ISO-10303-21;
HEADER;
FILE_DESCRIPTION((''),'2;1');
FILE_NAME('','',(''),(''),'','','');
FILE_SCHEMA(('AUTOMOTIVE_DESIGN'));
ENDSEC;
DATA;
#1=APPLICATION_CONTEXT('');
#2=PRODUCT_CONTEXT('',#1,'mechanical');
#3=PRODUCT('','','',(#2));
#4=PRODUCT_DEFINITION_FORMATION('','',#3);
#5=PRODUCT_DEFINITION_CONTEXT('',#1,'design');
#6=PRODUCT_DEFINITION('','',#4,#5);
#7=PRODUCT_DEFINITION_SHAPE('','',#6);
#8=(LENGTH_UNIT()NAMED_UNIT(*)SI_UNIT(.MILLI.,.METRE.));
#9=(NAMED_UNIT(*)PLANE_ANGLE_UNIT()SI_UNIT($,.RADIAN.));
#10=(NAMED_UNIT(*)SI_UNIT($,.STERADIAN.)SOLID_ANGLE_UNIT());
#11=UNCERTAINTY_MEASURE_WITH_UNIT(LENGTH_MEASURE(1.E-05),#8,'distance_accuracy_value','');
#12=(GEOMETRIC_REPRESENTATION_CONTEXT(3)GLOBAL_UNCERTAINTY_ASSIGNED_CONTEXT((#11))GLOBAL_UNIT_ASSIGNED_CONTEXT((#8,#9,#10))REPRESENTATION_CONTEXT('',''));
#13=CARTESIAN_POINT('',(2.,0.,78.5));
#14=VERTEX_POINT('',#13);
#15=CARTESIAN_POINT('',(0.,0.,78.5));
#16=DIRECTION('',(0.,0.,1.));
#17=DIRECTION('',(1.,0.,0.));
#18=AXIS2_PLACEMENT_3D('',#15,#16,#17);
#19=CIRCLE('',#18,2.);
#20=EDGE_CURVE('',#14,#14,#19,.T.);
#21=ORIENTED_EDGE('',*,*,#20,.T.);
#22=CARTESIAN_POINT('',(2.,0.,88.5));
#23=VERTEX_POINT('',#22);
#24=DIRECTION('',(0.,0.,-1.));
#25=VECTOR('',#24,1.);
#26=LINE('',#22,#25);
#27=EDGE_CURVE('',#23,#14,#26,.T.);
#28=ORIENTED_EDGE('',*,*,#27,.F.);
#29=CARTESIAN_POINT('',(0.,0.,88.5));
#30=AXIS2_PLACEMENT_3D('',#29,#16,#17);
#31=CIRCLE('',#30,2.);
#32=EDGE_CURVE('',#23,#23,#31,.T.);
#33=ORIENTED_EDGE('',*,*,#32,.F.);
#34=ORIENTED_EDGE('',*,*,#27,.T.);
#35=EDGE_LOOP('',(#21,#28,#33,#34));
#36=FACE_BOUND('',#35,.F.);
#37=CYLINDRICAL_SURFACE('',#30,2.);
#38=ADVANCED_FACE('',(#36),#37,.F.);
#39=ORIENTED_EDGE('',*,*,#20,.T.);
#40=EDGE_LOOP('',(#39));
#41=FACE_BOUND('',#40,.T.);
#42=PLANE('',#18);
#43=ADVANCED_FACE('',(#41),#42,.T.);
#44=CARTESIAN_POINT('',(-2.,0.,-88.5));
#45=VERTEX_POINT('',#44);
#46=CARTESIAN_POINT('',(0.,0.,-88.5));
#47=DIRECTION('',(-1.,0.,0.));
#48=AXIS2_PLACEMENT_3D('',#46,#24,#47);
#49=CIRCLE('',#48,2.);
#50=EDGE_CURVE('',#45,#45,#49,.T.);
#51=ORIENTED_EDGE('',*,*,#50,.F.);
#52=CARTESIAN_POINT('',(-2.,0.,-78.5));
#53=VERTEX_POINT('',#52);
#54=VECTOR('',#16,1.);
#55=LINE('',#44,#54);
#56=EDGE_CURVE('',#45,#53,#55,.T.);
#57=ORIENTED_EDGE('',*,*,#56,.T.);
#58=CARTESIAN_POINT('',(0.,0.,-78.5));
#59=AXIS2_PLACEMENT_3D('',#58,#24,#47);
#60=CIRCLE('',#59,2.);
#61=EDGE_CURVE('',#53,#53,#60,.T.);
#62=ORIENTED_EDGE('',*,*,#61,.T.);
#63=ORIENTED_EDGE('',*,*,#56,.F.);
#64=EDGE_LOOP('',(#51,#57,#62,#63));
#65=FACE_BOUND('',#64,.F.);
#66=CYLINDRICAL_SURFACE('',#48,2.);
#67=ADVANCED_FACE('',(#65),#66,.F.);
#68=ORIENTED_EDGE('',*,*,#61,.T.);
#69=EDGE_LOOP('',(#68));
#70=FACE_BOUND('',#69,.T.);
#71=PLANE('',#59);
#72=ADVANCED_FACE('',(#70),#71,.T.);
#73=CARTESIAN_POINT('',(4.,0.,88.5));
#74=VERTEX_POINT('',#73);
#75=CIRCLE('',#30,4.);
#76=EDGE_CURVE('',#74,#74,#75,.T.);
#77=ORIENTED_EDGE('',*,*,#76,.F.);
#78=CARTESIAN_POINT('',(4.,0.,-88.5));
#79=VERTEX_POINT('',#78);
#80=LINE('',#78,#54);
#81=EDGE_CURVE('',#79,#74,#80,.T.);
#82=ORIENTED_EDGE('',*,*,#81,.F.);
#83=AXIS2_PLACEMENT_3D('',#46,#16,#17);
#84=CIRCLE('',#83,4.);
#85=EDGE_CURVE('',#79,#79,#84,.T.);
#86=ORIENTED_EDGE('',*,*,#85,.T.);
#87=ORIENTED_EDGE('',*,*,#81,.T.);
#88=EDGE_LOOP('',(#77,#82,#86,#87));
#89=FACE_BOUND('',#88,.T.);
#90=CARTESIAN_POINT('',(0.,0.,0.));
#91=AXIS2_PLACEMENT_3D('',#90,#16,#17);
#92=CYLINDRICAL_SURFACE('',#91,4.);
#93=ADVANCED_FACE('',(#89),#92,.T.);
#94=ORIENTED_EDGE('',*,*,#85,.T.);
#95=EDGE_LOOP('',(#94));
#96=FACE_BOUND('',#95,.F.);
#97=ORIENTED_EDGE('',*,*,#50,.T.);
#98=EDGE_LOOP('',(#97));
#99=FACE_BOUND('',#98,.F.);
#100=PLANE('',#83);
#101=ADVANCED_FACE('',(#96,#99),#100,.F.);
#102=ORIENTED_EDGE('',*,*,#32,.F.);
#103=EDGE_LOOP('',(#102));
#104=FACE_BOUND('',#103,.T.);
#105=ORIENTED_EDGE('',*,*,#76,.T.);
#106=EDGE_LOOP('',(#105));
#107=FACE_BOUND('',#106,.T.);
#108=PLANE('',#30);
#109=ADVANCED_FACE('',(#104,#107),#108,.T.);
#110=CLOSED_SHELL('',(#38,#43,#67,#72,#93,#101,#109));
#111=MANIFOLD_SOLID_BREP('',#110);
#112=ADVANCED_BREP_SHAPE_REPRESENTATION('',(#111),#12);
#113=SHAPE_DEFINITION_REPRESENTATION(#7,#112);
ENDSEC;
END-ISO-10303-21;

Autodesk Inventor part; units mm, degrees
ref_plane "YZ Plane" through (0, 0, 0) normal (1, 0, 0) x (0, 1, 0)
ref_plane "XZ Plane" through (0, 0, 0) normal (0, 1, 0) x (-1, 0, 0)
ref_plane "XY Plane" through (0, 0, 0) normal (0, 0, 1) x (1, 0, 0)
sketch "スケッチ1" plane through (0, 0, 0) normal (0, 0, 1) x (1, 0, 0)
  circle A0 centre (0, 0) radius 2
  circle A1 centre (0, 0) radius 4
  dimension "d0" = 4
  dimension "d1" = 8
extrude "押し出し1" add sketch "スケッチ1" along normal mid plane 177 contours A0 | A1
sketch "スケッチ3" plane through (0, 0, 88.5) normal (0, 0, 1) x (1, 0, 0)
  circle A0 centre (0, 0) radius 2
  dimension "d5" = 4
extrude "押し出し2" cut sketch "スケッチ3" against normal blind 10
sketch "スケッチ4" plane through (0, 0, -88.5) normal (0, 0, -1) x (-1, 0, 0)
  circle A0 centre (0, 0) radius 2
  dimension "d8" = 4
extrude "押し出し3" cut sketch "スケッチ4" against normal blind 10
properties part number "シャフト177mm" material "アルミニウム 7075"
